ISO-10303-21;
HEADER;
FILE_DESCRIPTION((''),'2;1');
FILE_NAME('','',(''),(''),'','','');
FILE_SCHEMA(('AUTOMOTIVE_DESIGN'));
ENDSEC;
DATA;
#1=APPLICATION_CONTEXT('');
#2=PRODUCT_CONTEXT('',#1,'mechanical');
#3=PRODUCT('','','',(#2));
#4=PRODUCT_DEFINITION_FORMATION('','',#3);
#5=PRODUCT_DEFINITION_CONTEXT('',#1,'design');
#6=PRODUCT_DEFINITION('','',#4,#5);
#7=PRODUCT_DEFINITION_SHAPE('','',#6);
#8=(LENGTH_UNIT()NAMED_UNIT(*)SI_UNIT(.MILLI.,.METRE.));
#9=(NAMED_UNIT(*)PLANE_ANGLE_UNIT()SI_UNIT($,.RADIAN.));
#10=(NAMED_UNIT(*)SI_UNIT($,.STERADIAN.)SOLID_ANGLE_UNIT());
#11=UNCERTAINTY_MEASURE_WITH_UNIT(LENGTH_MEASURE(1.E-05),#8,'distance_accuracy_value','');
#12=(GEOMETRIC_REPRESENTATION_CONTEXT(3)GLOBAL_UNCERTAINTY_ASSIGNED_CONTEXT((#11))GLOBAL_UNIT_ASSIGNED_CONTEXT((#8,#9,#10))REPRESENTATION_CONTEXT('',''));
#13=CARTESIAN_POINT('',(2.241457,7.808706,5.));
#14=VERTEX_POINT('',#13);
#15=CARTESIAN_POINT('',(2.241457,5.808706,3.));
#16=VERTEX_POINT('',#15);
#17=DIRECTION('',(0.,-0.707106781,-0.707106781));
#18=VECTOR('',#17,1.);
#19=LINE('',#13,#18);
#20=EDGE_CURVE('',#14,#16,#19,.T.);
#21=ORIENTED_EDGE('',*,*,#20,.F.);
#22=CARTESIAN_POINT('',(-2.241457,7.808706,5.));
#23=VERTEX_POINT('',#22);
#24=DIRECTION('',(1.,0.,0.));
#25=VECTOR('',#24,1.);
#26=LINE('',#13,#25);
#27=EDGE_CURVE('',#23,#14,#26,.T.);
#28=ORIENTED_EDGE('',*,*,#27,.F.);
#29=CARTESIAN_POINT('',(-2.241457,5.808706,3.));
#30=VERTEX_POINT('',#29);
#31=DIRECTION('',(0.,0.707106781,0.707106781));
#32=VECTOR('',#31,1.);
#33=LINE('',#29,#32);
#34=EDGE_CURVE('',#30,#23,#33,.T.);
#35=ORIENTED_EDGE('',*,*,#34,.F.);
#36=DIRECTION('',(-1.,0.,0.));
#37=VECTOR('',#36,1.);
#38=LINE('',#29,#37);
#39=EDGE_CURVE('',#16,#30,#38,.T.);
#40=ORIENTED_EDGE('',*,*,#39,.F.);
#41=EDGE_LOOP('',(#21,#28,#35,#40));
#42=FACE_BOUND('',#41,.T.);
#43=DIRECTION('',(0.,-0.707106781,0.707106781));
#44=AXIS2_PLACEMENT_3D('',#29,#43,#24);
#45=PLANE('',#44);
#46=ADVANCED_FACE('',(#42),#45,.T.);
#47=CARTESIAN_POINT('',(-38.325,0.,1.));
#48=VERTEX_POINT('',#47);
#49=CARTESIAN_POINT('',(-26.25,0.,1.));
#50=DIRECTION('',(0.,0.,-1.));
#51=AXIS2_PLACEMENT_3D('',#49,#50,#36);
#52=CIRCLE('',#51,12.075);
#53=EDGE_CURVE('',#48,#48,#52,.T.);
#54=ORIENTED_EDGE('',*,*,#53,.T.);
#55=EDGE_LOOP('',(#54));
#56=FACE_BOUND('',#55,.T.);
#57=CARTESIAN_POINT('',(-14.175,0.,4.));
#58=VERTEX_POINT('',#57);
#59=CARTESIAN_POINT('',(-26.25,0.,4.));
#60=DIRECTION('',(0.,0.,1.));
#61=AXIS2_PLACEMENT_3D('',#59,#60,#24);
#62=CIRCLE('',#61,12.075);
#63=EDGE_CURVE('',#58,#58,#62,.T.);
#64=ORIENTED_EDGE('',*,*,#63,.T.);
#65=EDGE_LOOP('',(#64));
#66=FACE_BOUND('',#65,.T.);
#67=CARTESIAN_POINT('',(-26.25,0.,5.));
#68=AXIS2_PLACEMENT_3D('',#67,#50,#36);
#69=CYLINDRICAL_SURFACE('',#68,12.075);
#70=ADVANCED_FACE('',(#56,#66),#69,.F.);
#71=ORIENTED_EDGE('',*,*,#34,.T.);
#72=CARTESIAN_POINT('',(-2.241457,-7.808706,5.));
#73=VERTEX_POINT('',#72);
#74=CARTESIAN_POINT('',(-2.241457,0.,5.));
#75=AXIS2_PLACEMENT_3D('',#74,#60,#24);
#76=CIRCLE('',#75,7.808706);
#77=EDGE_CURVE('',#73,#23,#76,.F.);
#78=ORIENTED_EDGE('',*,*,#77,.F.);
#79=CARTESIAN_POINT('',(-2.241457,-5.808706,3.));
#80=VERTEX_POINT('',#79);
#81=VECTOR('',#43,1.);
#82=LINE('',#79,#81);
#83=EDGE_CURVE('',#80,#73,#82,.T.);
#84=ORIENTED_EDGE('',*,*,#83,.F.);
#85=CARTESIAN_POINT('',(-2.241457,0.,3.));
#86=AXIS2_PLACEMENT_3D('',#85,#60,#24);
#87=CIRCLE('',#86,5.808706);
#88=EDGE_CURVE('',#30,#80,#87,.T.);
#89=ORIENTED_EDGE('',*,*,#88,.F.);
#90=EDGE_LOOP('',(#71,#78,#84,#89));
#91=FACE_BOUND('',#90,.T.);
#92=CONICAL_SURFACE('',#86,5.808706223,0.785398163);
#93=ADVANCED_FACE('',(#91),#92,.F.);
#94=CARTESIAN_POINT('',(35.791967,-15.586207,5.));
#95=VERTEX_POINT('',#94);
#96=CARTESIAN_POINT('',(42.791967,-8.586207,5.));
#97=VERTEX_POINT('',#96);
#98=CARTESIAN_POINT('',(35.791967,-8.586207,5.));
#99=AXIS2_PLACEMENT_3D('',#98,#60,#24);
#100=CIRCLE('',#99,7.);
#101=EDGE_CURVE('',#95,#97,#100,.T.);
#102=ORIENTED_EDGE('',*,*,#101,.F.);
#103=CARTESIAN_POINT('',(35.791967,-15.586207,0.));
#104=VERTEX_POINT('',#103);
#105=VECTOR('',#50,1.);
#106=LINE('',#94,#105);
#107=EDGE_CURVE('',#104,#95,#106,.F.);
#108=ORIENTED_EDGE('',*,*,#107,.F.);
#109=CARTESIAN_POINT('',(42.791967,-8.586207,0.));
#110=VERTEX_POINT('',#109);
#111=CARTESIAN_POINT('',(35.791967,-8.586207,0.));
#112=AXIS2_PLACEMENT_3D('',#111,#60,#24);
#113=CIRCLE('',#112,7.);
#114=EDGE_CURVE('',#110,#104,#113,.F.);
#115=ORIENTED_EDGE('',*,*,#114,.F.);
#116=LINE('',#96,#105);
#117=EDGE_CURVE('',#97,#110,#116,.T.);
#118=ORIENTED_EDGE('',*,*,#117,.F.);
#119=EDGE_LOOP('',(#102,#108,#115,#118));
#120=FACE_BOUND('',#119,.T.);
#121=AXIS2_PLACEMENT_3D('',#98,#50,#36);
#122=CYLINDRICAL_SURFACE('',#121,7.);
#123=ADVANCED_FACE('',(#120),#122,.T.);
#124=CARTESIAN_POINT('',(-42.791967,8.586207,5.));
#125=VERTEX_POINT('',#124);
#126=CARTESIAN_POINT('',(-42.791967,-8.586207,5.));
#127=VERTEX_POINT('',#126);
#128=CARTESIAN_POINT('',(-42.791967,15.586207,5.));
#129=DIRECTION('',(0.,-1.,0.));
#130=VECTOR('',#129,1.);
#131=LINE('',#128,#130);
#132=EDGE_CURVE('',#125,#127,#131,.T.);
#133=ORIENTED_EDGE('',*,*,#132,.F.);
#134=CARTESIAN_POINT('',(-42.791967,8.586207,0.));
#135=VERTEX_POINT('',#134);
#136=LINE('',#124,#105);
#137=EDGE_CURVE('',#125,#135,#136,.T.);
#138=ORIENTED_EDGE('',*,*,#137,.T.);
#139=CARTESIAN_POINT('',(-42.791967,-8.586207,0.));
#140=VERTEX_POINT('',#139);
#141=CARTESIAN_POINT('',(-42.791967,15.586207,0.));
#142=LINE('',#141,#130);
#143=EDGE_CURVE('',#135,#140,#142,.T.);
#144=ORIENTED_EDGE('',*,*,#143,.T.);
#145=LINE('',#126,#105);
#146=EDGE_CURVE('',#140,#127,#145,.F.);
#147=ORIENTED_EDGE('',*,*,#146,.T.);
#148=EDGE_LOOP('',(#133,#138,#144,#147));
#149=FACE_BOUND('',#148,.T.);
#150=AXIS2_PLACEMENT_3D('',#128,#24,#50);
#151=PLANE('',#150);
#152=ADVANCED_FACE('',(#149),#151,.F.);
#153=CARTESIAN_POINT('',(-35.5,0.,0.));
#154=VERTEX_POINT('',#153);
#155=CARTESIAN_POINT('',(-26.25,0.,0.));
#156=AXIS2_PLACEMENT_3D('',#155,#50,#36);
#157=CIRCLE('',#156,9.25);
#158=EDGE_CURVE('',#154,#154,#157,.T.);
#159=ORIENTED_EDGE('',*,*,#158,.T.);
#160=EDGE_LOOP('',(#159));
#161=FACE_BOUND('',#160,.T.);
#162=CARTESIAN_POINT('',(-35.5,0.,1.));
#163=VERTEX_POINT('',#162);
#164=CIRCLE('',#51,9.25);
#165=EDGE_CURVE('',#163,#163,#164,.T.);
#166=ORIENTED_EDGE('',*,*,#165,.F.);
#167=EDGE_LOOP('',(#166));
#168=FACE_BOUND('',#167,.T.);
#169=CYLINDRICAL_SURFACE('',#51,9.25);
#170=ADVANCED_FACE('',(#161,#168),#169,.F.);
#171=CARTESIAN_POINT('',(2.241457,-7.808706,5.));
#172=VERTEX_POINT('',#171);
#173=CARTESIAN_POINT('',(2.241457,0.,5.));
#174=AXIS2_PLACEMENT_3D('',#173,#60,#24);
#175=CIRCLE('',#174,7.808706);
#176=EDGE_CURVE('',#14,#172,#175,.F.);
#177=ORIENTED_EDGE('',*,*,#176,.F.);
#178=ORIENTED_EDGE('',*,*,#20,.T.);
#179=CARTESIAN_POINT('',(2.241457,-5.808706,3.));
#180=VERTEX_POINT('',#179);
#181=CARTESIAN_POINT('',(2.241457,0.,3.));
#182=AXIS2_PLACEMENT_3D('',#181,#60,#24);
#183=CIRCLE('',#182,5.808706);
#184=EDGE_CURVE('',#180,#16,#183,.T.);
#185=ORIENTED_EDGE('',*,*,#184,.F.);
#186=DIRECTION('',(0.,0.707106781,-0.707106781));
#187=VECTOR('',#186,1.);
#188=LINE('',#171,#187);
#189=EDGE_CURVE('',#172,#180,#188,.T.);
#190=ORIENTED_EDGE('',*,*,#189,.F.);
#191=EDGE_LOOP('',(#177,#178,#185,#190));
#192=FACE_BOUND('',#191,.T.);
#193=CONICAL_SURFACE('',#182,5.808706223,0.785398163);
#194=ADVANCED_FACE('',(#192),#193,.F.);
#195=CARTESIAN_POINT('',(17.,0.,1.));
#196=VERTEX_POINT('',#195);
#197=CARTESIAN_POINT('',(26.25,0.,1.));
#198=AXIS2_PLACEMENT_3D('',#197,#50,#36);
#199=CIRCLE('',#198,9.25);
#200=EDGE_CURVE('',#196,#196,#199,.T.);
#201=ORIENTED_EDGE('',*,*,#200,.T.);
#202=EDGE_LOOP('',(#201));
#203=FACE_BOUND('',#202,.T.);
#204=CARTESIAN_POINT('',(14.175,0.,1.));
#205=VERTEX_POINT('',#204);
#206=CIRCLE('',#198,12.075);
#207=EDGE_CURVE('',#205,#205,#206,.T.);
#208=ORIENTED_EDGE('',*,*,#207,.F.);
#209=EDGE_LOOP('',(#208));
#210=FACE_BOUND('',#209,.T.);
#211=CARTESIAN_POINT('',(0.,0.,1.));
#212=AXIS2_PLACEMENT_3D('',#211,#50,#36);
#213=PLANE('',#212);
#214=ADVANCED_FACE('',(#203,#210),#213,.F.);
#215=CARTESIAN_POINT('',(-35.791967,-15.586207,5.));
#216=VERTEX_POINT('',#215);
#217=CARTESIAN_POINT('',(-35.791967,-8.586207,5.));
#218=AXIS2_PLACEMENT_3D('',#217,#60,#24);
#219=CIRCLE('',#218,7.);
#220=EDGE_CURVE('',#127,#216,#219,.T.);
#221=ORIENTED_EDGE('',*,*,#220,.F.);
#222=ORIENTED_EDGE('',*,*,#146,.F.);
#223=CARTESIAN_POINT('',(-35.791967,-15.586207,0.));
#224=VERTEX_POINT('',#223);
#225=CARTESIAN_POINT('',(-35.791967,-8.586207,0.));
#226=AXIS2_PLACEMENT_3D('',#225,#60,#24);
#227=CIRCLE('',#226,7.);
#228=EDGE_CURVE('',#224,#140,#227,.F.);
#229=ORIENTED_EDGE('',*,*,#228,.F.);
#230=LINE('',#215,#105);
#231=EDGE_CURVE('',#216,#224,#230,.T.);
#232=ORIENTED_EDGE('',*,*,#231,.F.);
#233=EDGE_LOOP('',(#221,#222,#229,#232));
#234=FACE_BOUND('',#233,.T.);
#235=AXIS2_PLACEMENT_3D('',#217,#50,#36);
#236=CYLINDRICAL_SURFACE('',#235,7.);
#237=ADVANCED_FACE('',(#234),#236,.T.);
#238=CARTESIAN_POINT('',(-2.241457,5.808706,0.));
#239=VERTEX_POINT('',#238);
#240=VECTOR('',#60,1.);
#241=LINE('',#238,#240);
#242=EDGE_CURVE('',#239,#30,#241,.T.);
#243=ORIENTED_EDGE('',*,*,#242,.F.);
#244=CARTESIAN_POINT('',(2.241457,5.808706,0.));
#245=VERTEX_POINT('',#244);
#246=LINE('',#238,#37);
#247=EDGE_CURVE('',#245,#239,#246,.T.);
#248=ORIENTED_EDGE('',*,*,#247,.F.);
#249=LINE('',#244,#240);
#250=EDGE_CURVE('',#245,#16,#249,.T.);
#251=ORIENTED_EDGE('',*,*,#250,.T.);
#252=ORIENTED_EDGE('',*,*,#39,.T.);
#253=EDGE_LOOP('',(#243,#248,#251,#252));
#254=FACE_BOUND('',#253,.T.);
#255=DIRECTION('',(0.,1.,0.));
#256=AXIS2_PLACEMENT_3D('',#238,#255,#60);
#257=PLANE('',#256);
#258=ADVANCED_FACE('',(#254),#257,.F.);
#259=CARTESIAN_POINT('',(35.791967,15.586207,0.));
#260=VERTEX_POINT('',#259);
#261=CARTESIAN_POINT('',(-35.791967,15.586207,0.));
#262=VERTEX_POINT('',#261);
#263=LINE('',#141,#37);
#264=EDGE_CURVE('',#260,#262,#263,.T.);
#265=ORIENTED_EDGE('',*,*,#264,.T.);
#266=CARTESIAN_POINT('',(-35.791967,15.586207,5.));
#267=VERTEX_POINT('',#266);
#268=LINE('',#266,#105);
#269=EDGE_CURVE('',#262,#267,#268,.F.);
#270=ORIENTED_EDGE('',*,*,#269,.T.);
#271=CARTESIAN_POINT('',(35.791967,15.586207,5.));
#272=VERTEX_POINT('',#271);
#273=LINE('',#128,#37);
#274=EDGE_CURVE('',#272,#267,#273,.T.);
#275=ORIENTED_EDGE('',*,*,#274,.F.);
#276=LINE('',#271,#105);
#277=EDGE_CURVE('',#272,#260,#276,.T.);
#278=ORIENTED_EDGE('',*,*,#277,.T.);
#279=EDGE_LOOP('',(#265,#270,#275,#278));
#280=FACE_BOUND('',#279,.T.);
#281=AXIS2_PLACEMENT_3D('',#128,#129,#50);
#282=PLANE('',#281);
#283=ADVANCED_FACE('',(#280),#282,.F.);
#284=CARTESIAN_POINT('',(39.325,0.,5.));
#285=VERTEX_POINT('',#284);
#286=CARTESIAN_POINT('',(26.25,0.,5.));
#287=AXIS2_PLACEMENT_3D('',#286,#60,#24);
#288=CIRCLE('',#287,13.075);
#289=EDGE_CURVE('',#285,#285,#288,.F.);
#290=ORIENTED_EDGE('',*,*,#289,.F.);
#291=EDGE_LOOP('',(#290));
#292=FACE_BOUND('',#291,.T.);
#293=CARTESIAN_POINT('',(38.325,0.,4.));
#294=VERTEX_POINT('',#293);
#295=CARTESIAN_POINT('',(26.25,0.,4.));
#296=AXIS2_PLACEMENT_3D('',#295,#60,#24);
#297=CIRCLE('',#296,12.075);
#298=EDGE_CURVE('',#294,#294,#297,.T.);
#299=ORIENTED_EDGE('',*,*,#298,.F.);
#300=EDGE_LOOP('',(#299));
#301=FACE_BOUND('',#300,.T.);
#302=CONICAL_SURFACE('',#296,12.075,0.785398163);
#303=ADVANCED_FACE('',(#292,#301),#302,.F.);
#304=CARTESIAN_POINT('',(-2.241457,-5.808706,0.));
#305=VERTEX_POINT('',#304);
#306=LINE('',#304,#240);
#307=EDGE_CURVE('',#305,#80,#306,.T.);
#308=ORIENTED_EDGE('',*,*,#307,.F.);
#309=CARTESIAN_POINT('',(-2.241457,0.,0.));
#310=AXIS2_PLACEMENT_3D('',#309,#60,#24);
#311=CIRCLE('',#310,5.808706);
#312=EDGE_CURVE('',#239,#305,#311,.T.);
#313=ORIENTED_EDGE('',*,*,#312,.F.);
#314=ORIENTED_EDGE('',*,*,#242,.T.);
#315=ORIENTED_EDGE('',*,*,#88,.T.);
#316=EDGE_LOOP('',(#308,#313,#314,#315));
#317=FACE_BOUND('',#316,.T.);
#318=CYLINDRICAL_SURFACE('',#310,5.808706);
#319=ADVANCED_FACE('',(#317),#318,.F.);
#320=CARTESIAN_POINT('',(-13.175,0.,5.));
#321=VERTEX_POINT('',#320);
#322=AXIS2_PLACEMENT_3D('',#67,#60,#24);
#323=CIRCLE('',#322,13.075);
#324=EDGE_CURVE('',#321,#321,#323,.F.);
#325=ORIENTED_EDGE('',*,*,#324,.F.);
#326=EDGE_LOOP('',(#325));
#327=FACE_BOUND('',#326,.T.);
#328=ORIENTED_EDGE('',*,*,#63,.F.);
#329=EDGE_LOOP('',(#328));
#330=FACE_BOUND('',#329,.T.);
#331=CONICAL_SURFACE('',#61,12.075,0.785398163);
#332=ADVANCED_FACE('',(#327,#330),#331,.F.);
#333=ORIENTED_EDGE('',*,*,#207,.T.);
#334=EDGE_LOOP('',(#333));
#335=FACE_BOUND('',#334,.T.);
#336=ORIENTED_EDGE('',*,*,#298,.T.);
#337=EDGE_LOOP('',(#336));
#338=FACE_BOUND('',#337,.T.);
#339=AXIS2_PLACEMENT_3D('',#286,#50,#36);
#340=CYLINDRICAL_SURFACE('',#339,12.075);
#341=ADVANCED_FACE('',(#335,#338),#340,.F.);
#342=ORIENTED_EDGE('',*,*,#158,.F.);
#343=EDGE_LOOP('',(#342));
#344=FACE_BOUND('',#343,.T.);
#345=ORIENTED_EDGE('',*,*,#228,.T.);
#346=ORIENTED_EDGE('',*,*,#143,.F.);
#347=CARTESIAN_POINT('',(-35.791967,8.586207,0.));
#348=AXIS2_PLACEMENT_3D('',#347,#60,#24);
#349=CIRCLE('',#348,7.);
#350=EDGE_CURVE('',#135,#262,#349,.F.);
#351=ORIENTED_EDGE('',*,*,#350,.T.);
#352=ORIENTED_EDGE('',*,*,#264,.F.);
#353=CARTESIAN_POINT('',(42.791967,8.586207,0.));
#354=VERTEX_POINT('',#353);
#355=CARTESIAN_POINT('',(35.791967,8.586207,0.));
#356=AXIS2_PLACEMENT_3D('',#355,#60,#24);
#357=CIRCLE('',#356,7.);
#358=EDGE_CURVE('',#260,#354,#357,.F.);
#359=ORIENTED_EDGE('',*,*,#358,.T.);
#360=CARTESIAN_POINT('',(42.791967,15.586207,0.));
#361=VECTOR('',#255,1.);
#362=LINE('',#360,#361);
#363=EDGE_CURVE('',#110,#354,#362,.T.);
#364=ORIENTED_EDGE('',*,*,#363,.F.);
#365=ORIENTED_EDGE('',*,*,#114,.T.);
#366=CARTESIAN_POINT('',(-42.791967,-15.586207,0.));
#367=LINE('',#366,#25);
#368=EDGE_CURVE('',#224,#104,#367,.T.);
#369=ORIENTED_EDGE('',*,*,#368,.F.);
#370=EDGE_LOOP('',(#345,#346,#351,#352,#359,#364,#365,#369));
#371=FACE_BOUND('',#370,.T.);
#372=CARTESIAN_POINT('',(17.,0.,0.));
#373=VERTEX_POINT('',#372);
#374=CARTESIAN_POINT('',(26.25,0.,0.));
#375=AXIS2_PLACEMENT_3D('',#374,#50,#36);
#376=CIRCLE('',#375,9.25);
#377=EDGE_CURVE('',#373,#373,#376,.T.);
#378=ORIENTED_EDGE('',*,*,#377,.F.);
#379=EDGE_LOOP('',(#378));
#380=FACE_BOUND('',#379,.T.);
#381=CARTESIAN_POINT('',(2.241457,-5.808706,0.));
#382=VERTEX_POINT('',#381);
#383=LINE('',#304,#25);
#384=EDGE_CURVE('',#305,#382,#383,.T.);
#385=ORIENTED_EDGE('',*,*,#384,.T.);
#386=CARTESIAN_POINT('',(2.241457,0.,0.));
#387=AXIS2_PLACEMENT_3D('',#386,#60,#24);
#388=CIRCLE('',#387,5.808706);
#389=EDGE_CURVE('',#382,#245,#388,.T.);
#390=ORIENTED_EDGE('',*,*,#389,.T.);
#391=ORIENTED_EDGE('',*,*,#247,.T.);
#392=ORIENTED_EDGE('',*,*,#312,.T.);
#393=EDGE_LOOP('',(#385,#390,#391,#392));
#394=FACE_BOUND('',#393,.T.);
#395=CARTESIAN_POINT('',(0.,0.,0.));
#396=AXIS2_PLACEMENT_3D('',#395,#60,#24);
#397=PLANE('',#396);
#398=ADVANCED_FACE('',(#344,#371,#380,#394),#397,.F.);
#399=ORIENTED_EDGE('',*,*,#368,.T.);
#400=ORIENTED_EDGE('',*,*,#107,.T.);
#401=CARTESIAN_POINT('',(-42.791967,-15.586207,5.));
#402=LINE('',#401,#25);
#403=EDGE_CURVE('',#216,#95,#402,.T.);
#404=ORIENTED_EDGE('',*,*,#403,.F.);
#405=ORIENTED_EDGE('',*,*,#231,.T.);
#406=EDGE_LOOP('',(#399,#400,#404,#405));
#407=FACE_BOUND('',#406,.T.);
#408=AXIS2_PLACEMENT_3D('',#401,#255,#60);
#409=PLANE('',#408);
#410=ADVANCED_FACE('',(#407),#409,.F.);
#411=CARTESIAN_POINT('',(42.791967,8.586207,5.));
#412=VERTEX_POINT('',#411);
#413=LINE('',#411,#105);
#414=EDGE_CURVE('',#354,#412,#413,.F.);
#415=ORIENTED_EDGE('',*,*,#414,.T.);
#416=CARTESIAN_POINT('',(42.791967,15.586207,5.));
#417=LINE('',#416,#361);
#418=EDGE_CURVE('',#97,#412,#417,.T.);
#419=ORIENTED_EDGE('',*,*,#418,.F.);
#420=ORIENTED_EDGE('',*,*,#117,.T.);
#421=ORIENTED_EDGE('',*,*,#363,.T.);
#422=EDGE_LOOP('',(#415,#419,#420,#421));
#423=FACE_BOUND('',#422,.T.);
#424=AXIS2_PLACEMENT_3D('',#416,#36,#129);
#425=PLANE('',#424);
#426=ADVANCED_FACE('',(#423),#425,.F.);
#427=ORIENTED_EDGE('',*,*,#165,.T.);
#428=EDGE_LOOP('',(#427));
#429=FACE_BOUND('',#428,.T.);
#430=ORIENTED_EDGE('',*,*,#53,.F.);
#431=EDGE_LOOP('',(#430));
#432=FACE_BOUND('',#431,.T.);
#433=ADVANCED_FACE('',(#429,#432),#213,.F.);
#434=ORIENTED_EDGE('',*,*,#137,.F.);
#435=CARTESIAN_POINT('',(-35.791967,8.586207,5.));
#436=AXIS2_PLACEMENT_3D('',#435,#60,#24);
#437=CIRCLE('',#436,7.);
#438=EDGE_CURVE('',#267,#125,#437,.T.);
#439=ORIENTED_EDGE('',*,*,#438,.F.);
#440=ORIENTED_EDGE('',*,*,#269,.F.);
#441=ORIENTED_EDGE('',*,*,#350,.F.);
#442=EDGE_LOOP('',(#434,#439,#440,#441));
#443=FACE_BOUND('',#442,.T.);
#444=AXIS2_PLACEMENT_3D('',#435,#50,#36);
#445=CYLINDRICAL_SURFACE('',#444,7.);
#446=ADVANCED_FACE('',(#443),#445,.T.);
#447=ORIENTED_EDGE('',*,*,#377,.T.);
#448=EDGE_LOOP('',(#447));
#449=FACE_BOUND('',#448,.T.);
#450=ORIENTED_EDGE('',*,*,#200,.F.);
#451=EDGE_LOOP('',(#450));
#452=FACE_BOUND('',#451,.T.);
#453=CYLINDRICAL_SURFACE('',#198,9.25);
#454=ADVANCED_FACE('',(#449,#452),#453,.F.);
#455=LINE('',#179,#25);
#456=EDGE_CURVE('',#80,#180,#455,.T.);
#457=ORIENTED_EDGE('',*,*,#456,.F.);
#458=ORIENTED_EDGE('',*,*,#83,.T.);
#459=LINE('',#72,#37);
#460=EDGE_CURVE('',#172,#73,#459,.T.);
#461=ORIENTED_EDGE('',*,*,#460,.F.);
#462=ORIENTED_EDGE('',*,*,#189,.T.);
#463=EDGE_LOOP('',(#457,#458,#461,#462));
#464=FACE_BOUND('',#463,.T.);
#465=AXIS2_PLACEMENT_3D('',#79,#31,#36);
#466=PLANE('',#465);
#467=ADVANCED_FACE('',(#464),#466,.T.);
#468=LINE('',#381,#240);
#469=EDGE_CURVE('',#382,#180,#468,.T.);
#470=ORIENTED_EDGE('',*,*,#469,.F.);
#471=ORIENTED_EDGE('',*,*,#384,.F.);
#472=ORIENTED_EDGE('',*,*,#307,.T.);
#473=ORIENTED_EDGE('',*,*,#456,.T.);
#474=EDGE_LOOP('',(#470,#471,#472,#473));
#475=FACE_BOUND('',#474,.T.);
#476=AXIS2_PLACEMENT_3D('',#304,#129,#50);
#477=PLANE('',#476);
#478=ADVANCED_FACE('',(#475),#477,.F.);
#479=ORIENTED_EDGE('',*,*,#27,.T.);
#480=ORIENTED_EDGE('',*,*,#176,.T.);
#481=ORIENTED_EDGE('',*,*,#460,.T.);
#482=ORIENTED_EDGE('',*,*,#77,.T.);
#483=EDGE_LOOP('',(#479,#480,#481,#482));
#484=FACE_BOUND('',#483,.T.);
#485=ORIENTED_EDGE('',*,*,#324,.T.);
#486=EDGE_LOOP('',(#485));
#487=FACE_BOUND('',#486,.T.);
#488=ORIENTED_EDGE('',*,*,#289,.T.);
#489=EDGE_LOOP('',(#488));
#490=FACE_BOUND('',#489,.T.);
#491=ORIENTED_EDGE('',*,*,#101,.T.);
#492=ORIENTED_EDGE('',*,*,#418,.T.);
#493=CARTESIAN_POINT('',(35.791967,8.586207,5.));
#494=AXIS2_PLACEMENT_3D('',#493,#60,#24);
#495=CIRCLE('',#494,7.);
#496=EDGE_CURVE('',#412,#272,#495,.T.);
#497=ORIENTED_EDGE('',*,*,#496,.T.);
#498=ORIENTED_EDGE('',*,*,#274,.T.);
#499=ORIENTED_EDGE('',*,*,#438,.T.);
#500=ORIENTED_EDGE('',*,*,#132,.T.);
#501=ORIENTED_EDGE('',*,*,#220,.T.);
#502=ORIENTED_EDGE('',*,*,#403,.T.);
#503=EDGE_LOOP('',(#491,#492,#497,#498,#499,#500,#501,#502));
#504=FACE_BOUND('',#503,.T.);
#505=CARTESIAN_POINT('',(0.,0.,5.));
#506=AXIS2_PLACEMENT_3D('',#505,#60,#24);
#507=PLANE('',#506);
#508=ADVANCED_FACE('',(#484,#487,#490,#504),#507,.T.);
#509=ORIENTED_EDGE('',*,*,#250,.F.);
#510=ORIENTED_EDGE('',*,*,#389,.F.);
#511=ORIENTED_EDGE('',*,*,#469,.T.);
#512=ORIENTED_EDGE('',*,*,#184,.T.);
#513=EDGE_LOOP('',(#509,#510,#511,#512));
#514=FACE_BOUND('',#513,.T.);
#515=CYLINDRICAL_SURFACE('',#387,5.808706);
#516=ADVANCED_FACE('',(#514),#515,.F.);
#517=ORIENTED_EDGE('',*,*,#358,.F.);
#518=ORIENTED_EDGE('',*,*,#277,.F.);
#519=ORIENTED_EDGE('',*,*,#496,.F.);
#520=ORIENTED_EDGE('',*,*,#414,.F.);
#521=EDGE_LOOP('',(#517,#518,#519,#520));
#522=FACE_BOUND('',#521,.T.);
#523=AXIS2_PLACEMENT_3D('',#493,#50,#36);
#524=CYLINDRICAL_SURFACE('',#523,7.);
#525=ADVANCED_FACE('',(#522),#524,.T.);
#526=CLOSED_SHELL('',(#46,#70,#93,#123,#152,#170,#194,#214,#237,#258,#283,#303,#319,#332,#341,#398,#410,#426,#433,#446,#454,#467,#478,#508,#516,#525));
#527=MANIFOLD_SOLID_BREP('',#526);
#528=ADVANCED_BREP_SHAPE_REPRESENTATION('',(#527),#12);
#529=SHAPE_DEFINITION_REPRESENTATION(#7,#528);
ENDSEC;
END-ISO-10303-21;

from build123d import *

# Parameters (mm, degrees)
CROQUIS1_W              = 85.583933156
CROQUIS1_H              = 31.172413686
CROQUIS1_R              = 12.075
SALIENTE_EXTRUIR1_DEPTH = 5
CROQUIS2_W              = 85.583933156
CROQUIS2_H              = 31.172413686
CROQUIS2_R              = 9.25
SALIENTE_EXTRUIR2_DEPTH = 1
REDONDEO1_R             = 7
CORTAR_EXTRUIR1_DEPTH   = 46.815742353
CHAFL_N1_SIZE           = 2
CHAFL_N2_SIZE           = 1


with BuildPart() as part:
    # Croquis1 → Saliente-Extruir1 (new body)
    with BuildSketch(Plane.XY):
        Rectangle(CROQUIS1_W, CROQUIS1_H)
        with Locations((-26.25, 0)):
            Circle(CROQUIS1_R, mode=Mode.SUBTRACT)
        with Locations((26.25, 0)):
            Circle(CROQUIS1_R, mode=Mode.SUBTRACT)
    extrude(amount=SALIENTE_EXTRUIR1_DEPTH)

    # Croquis2 → Saliente-Extruir2 (add)
    with BuildSketch(Plane(origin=(0, 0, 0), x_dir=(-1, 0, 0), z_dir=(0, 0, -1))):
        Rectangle(CROQUIS2_W, CROQUIS2_H)
        with Locations((-26.25, 0)):
            Circle(CROQUIS2_R, mode=Mode.SUBTRACT)
        with Locations((26.25, 0)):
            Circle(CROQUIS2_R, mode=Mode.SUBTRACT)
    extrude(amount=-SALIENTE_EXTRUIR2_DEPTH)

    # Redondeo1
    redondeo1_edges = [part.edges().sort_by_distance(p)[0] for p in [
        (42.791966578, -15.586206843, 2.5),
        (-42.791966578, -15.586206843, 2.5),
        (-42.791966578, 15.586206843, 2.5),
        (42.791966578, 15.586206843, 2.5),
    ]]
    fillet(redondeo1_edges, radius=REDONDEO1_R)

    # Croquis3 → Cortar-Extruir1 (cut, through all)
    with BuildSketch(Plane.XY.offset(5)):
        with BuildLine():
            Line((-2.24145708, 5.808706223), (2.24145708, 5.808706223))
            ThreePointArc((2.24145708, 5.808706223), (8.050163302, 0), (2.24145708, -5.808706223))
            Line((2.24145708, -5.808706223), (-2.24145708, -5.808706223))
            ThreePointArc((-2.24145708, -5.808706223), (-8.050163302, 0), (-2.24145708, 5.808706223))
        make_face()
    extrude(amount=-CORTAR_EXTRUIR1_DEPTH, mode=Mode.SUBTRACT)

    # Chaflán1
    chafl_n1_edges = [part.edges().sort_by_distance(p)[0] for p in [
        (-8.050163302, 0, 5),
        (0, -5.808706223, 5),
        (8.050163302, 0, 5),
        (0, 5.808706223, 5),
    ]]
    chamfer(chafl_n1_edges, length=CHAFL_N1_SIZE)

    # Chaflán2
    chafl_n2_edges = [part.edges().sort_by_distance(p)[0] for p in [
        (-38.325, 0, 5),
        (14.175, 0, 5),
    ]]
    chamfer(chafl_n2_edges, length=CHAFL_N2_SIZE)


solid = part.part
